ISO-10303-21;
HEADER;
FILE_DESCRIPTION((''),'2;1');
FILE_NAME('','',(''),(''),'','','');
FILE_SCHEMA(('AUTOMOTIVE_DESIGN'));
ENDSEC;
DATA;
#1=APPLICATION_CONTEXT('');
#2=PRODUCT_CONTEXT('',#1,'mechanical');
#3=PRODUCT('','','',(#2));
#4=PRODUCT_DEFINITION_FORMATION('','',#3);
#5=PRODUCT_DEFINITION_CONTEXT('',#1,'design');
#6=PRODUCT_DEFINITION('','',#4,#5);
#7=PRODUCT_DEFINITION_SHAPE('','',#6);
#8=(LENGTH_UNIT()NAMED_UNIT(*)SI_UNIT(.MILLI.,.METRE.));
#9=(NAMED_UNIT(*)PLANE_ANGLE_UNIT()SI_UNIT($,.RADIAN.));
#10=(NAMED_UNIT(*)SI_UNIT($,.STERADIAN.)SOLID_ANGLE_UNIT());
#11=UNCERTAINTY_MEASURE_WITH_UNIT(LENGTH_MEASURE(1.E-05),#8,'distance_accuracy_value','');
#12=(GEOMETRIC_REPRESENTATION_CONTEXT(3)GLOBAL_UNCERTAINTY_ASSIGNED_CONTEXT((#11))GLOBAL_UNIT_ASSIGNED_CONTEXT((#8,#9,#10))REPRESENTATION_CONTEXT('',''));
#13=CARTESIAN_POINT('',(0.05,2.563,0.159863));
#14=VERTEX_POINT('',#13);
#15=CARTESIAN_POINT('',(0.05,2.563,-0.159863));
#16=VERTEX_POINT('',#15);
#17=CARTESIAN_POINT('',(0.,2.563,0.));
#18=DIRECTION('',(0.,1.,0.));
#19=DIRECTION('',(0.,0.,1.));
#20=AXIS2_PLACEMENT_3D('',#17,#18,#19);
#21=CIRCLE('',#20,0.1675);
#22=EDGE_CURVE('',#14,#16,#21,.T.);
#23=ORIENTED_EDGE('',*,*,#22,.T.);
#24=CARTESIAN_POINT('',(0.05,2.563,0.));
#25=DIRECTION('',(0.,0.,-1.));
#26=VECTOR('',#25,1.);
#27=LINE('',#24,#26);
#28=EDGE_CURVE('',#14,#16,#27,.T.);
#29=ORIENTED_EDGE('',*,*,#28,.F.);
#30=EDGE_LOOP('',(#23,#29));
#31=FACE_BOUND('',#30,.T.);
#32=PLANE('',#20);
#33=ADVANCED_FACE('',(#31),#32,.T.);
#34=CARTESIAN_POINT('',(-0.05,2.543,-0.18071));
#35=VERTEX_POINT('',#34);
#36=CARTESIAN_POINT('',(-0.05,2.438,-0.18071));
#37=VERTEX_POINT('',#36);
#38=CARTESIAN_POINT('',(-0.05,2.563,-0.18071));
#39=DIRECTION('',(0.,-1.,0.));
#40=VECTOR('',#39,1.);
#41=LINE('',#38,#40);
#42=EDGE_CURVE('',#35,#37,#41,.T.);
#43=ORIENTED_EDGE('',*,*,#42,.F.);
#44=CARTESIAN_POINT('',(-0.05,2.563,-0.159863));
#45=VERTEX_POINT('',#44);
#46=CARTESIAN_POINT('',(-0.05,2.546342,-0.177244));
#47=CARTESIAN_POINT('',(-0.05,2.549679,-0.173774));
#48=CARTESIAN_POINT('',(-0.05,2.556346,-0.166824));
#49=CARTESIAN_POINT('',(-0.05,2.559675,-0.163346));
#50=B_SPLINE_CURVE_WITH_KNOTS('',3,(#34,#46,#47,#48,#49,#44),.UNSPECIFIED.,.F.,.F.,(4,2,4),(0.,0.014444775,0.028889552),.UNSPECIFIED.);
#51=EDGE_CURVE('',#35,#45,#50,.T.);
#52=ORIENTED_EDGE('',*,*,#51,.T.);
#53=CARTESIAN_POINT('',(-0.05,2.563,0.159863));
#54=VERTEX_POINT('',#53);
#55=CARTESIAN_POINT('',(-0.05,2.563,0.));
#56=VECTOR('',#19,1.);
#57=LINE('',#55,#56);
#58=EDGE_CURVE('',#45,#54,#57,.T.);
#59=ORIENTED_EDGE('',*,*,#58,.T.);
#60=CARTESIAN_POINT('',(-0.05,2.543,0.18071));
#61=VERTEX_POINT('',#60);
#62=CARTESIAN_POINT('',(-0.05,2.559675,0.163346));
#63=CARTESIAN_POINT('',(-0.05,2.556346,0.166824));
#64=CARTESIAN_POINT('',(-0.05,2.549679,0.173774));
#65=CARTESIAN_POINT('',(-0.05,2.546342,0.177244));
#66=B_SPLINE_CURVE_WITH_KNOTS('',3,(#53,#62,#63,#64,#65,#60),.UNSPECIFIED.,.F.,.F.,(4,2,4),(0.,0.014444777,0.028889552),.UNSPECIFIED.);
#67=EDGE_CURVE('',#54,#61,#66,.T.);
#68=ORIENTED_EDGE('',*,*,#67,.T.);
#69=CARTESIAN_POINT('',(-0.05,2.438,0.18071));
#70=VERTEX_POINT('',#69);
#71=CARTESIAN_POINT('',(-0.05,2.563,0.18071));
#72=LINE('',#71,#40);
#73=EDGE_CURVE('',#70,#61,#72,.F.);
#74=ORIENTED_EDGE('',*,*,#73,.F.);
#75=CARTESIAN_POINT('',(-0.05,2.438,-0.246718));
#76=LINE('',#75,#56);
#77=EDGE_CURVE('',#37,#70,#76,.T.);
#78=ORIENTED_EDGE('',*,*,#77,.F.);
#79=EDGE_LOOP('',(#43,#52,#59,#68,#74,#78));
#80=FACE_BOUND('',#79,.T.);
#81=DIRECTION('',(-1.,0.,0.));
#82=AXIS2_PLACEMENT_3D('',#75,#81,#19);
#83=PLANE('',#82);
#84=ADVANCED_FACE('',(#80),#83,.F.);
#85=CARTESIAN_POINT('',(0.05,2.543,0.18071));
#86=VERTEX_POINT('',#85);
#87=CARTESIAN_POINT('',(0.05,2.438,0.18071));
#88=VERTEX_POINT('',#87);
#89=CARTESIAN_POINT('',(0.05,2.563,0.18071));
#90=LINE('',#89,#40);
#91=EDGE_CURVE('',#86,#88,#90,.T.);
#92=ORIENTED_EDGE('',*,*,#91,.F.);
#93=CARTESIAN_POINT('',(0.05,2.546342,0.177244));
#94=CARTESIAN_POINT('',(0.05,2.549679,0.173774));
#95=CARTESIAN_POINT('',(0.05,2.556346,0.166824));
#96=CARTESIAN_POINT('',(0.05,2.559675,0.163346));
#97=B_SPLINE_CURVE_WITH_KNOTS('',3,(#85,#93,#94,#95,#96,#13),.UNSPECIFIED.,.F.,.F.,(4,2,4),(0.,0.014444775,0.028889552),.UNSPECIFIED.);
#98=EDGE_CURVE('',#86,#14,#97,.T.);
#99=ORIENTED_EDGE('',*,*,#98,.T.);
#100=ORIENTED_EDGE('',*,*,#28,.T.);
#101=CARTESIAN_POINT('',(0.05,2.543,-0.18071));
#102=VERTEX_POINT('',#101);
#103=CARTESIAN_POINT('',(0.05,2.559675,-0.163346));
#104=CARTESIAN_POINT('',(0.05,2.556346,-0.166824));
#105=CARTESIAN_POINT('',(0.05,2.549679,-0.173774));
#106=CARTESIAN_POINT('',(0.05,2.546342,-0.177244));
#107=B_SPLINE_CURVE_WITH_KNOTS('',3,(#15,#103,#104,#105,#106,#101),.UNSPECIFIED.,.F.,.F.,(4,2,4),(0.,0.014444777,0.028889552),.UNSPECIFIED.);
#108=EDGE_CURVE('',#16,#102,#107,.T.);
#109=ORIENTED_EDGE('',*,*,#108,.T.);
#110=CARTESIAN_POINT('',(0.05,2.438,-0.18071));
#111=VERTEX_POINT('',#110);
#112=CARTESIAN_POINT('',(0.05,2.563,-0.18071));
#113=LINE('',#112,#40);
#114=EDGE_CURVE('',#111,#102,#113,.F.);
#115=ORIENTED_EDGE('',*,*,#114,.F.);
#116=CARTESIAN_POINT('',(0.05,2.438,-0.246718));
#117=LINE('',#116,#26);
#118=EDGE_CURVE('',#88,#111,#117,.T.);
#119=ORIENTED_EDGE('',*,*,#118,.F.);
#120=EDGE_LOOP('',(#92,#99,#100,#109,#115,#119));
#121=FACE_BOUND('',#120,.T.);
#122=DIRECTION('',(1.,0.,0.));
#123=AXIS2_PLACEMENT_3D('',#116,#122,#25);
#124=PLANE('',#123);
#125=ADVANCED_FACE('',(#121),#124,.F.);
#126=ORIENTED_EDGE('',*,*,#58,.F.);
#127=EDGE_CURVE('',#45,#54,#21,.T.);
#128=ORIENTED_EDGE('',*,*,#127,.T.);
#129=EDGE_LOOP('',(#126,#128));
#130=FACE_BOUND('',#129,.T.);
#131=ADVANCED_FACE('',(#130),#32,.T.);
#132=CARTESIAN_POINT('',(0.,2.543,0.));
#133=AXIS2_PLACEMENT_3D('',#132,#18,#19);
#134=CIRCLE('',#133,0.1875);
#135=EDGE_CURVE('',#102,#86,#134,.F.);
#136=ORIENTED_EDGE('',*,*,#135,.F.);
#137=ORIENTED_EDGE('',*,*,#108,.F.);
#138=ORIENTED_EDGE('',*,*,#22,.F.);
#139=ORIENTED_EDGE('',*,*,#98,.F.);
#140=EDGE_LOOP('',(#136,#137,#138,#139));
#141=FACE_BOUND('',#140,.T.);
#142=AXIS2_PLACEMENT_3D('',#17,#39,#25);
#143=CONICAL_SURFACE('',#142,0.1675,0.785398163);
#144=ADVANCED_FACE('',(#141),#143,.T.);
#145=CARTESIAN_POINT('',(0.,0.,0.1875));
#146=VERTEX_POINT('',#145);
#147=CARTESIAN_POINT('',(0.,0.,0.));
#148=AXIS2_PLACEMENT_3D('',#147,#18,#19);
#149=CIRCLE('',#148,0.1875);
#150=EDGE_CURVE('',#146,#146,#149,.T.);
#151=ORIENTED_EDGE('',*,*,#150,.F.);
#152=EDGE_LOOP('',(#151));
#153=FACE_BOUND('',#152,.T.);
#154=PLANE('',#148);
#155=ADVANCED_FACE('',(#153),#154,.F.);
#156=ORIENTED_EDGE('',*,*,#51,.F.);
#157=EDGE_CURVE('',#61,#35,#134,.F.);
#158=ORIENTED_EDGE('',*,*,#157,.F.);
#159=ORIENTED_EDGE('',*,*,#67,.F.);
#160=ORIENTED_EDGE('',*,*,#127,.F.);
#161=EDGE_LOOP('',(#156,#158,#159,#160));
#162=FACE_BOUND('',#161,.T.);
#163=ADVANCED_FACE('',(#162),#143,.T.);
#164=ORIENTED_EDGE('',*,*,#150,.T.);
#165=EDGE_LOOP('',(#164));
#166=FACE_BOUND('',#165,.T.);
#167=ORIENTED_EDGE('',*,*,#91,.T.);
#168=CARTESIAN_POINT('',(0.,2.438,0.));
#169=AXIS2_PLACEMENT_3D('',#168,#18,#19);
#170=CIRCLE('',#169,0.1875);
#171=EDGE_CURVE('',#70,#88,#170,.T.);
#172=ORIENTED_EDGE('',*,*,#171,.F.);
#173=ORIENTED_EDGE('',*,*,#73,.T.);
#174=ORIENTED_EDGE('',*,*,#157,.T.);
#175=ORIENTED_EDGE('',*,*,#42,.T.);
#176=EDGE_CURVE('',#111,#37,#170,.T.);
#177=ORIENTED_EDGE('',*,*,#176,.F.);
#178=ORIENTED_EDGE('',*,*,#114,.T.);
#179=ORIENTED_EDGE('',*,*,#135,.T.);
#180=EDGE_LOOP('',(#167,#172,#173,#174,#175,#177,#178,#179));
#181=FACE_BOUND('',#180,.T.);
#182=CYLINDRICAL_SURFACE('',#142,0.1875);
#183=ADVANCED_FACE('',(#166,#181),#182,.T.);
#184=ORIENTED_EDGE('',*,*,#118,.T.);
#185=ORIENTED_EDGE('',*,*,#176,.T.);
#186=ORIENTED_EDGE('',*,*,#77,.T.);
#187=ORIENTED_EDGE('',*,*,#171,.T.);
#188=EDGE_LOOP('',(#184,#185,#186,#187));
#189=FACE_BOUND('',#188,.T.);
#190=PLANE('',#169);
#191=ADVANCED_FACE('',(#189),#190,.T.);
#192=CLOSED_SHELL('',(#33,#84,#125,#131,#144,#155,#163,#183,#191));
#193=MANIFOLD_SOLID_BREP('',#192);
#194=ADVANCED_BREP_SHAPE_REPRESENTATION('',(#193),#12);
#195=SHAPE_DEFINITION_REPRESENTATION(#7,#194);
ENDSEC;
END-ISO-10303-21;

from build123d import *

# Parameters (mm, degrees)
SKETCH1_R           = 0.1875
BOSS_EXTRUDE1_DEPTH = 2.563
SKETCH2_W           = 0.1
SKETCH2_H           = 0.493436948
CUT_EXTRUDE1_DEPTH  = 0.125
CHAMFER1_SIZE       = 0.02


with BuildPart() as part:
    # Sketch1 → Boss-Extrude1 (new body)
    with BuildSketch(Plane(origin=(0, 0, 0), x_dir=(1, 0, 0), z_dir=(0, 1, 0))):
        with Locations(Location((0, 0, 0), (0, 0, 270))):
            Circle(SKETCH1_R)
    extrude(amount=BOSS_EXTRUDE1_DEPTH)

    # Sketch2 → Cut-Extrude1 (cut)
    with BuildSketch(Plane(origin=(0, 2.563, 0), x_dir=(1, 0, 0), z_dir=(0, 1, 0))):
        Rectangle(SKETCH2_W, SKETCH2_H)
    extrude(amount=-CUT_EXTRUDE1_DEPTH, mode=Mode.SUBTRACT)

    # Chamfer1
    chamfer1_edges = [part.edges().sort_by_distance(p)[0] for p in [
        (0.1875, 2.563, 0),
        (-0.1875, 2.563, 0),
    ]]
    chamfer(chamfer1_edges, length=CHAMFER1_SIZE)


solid = part.part
